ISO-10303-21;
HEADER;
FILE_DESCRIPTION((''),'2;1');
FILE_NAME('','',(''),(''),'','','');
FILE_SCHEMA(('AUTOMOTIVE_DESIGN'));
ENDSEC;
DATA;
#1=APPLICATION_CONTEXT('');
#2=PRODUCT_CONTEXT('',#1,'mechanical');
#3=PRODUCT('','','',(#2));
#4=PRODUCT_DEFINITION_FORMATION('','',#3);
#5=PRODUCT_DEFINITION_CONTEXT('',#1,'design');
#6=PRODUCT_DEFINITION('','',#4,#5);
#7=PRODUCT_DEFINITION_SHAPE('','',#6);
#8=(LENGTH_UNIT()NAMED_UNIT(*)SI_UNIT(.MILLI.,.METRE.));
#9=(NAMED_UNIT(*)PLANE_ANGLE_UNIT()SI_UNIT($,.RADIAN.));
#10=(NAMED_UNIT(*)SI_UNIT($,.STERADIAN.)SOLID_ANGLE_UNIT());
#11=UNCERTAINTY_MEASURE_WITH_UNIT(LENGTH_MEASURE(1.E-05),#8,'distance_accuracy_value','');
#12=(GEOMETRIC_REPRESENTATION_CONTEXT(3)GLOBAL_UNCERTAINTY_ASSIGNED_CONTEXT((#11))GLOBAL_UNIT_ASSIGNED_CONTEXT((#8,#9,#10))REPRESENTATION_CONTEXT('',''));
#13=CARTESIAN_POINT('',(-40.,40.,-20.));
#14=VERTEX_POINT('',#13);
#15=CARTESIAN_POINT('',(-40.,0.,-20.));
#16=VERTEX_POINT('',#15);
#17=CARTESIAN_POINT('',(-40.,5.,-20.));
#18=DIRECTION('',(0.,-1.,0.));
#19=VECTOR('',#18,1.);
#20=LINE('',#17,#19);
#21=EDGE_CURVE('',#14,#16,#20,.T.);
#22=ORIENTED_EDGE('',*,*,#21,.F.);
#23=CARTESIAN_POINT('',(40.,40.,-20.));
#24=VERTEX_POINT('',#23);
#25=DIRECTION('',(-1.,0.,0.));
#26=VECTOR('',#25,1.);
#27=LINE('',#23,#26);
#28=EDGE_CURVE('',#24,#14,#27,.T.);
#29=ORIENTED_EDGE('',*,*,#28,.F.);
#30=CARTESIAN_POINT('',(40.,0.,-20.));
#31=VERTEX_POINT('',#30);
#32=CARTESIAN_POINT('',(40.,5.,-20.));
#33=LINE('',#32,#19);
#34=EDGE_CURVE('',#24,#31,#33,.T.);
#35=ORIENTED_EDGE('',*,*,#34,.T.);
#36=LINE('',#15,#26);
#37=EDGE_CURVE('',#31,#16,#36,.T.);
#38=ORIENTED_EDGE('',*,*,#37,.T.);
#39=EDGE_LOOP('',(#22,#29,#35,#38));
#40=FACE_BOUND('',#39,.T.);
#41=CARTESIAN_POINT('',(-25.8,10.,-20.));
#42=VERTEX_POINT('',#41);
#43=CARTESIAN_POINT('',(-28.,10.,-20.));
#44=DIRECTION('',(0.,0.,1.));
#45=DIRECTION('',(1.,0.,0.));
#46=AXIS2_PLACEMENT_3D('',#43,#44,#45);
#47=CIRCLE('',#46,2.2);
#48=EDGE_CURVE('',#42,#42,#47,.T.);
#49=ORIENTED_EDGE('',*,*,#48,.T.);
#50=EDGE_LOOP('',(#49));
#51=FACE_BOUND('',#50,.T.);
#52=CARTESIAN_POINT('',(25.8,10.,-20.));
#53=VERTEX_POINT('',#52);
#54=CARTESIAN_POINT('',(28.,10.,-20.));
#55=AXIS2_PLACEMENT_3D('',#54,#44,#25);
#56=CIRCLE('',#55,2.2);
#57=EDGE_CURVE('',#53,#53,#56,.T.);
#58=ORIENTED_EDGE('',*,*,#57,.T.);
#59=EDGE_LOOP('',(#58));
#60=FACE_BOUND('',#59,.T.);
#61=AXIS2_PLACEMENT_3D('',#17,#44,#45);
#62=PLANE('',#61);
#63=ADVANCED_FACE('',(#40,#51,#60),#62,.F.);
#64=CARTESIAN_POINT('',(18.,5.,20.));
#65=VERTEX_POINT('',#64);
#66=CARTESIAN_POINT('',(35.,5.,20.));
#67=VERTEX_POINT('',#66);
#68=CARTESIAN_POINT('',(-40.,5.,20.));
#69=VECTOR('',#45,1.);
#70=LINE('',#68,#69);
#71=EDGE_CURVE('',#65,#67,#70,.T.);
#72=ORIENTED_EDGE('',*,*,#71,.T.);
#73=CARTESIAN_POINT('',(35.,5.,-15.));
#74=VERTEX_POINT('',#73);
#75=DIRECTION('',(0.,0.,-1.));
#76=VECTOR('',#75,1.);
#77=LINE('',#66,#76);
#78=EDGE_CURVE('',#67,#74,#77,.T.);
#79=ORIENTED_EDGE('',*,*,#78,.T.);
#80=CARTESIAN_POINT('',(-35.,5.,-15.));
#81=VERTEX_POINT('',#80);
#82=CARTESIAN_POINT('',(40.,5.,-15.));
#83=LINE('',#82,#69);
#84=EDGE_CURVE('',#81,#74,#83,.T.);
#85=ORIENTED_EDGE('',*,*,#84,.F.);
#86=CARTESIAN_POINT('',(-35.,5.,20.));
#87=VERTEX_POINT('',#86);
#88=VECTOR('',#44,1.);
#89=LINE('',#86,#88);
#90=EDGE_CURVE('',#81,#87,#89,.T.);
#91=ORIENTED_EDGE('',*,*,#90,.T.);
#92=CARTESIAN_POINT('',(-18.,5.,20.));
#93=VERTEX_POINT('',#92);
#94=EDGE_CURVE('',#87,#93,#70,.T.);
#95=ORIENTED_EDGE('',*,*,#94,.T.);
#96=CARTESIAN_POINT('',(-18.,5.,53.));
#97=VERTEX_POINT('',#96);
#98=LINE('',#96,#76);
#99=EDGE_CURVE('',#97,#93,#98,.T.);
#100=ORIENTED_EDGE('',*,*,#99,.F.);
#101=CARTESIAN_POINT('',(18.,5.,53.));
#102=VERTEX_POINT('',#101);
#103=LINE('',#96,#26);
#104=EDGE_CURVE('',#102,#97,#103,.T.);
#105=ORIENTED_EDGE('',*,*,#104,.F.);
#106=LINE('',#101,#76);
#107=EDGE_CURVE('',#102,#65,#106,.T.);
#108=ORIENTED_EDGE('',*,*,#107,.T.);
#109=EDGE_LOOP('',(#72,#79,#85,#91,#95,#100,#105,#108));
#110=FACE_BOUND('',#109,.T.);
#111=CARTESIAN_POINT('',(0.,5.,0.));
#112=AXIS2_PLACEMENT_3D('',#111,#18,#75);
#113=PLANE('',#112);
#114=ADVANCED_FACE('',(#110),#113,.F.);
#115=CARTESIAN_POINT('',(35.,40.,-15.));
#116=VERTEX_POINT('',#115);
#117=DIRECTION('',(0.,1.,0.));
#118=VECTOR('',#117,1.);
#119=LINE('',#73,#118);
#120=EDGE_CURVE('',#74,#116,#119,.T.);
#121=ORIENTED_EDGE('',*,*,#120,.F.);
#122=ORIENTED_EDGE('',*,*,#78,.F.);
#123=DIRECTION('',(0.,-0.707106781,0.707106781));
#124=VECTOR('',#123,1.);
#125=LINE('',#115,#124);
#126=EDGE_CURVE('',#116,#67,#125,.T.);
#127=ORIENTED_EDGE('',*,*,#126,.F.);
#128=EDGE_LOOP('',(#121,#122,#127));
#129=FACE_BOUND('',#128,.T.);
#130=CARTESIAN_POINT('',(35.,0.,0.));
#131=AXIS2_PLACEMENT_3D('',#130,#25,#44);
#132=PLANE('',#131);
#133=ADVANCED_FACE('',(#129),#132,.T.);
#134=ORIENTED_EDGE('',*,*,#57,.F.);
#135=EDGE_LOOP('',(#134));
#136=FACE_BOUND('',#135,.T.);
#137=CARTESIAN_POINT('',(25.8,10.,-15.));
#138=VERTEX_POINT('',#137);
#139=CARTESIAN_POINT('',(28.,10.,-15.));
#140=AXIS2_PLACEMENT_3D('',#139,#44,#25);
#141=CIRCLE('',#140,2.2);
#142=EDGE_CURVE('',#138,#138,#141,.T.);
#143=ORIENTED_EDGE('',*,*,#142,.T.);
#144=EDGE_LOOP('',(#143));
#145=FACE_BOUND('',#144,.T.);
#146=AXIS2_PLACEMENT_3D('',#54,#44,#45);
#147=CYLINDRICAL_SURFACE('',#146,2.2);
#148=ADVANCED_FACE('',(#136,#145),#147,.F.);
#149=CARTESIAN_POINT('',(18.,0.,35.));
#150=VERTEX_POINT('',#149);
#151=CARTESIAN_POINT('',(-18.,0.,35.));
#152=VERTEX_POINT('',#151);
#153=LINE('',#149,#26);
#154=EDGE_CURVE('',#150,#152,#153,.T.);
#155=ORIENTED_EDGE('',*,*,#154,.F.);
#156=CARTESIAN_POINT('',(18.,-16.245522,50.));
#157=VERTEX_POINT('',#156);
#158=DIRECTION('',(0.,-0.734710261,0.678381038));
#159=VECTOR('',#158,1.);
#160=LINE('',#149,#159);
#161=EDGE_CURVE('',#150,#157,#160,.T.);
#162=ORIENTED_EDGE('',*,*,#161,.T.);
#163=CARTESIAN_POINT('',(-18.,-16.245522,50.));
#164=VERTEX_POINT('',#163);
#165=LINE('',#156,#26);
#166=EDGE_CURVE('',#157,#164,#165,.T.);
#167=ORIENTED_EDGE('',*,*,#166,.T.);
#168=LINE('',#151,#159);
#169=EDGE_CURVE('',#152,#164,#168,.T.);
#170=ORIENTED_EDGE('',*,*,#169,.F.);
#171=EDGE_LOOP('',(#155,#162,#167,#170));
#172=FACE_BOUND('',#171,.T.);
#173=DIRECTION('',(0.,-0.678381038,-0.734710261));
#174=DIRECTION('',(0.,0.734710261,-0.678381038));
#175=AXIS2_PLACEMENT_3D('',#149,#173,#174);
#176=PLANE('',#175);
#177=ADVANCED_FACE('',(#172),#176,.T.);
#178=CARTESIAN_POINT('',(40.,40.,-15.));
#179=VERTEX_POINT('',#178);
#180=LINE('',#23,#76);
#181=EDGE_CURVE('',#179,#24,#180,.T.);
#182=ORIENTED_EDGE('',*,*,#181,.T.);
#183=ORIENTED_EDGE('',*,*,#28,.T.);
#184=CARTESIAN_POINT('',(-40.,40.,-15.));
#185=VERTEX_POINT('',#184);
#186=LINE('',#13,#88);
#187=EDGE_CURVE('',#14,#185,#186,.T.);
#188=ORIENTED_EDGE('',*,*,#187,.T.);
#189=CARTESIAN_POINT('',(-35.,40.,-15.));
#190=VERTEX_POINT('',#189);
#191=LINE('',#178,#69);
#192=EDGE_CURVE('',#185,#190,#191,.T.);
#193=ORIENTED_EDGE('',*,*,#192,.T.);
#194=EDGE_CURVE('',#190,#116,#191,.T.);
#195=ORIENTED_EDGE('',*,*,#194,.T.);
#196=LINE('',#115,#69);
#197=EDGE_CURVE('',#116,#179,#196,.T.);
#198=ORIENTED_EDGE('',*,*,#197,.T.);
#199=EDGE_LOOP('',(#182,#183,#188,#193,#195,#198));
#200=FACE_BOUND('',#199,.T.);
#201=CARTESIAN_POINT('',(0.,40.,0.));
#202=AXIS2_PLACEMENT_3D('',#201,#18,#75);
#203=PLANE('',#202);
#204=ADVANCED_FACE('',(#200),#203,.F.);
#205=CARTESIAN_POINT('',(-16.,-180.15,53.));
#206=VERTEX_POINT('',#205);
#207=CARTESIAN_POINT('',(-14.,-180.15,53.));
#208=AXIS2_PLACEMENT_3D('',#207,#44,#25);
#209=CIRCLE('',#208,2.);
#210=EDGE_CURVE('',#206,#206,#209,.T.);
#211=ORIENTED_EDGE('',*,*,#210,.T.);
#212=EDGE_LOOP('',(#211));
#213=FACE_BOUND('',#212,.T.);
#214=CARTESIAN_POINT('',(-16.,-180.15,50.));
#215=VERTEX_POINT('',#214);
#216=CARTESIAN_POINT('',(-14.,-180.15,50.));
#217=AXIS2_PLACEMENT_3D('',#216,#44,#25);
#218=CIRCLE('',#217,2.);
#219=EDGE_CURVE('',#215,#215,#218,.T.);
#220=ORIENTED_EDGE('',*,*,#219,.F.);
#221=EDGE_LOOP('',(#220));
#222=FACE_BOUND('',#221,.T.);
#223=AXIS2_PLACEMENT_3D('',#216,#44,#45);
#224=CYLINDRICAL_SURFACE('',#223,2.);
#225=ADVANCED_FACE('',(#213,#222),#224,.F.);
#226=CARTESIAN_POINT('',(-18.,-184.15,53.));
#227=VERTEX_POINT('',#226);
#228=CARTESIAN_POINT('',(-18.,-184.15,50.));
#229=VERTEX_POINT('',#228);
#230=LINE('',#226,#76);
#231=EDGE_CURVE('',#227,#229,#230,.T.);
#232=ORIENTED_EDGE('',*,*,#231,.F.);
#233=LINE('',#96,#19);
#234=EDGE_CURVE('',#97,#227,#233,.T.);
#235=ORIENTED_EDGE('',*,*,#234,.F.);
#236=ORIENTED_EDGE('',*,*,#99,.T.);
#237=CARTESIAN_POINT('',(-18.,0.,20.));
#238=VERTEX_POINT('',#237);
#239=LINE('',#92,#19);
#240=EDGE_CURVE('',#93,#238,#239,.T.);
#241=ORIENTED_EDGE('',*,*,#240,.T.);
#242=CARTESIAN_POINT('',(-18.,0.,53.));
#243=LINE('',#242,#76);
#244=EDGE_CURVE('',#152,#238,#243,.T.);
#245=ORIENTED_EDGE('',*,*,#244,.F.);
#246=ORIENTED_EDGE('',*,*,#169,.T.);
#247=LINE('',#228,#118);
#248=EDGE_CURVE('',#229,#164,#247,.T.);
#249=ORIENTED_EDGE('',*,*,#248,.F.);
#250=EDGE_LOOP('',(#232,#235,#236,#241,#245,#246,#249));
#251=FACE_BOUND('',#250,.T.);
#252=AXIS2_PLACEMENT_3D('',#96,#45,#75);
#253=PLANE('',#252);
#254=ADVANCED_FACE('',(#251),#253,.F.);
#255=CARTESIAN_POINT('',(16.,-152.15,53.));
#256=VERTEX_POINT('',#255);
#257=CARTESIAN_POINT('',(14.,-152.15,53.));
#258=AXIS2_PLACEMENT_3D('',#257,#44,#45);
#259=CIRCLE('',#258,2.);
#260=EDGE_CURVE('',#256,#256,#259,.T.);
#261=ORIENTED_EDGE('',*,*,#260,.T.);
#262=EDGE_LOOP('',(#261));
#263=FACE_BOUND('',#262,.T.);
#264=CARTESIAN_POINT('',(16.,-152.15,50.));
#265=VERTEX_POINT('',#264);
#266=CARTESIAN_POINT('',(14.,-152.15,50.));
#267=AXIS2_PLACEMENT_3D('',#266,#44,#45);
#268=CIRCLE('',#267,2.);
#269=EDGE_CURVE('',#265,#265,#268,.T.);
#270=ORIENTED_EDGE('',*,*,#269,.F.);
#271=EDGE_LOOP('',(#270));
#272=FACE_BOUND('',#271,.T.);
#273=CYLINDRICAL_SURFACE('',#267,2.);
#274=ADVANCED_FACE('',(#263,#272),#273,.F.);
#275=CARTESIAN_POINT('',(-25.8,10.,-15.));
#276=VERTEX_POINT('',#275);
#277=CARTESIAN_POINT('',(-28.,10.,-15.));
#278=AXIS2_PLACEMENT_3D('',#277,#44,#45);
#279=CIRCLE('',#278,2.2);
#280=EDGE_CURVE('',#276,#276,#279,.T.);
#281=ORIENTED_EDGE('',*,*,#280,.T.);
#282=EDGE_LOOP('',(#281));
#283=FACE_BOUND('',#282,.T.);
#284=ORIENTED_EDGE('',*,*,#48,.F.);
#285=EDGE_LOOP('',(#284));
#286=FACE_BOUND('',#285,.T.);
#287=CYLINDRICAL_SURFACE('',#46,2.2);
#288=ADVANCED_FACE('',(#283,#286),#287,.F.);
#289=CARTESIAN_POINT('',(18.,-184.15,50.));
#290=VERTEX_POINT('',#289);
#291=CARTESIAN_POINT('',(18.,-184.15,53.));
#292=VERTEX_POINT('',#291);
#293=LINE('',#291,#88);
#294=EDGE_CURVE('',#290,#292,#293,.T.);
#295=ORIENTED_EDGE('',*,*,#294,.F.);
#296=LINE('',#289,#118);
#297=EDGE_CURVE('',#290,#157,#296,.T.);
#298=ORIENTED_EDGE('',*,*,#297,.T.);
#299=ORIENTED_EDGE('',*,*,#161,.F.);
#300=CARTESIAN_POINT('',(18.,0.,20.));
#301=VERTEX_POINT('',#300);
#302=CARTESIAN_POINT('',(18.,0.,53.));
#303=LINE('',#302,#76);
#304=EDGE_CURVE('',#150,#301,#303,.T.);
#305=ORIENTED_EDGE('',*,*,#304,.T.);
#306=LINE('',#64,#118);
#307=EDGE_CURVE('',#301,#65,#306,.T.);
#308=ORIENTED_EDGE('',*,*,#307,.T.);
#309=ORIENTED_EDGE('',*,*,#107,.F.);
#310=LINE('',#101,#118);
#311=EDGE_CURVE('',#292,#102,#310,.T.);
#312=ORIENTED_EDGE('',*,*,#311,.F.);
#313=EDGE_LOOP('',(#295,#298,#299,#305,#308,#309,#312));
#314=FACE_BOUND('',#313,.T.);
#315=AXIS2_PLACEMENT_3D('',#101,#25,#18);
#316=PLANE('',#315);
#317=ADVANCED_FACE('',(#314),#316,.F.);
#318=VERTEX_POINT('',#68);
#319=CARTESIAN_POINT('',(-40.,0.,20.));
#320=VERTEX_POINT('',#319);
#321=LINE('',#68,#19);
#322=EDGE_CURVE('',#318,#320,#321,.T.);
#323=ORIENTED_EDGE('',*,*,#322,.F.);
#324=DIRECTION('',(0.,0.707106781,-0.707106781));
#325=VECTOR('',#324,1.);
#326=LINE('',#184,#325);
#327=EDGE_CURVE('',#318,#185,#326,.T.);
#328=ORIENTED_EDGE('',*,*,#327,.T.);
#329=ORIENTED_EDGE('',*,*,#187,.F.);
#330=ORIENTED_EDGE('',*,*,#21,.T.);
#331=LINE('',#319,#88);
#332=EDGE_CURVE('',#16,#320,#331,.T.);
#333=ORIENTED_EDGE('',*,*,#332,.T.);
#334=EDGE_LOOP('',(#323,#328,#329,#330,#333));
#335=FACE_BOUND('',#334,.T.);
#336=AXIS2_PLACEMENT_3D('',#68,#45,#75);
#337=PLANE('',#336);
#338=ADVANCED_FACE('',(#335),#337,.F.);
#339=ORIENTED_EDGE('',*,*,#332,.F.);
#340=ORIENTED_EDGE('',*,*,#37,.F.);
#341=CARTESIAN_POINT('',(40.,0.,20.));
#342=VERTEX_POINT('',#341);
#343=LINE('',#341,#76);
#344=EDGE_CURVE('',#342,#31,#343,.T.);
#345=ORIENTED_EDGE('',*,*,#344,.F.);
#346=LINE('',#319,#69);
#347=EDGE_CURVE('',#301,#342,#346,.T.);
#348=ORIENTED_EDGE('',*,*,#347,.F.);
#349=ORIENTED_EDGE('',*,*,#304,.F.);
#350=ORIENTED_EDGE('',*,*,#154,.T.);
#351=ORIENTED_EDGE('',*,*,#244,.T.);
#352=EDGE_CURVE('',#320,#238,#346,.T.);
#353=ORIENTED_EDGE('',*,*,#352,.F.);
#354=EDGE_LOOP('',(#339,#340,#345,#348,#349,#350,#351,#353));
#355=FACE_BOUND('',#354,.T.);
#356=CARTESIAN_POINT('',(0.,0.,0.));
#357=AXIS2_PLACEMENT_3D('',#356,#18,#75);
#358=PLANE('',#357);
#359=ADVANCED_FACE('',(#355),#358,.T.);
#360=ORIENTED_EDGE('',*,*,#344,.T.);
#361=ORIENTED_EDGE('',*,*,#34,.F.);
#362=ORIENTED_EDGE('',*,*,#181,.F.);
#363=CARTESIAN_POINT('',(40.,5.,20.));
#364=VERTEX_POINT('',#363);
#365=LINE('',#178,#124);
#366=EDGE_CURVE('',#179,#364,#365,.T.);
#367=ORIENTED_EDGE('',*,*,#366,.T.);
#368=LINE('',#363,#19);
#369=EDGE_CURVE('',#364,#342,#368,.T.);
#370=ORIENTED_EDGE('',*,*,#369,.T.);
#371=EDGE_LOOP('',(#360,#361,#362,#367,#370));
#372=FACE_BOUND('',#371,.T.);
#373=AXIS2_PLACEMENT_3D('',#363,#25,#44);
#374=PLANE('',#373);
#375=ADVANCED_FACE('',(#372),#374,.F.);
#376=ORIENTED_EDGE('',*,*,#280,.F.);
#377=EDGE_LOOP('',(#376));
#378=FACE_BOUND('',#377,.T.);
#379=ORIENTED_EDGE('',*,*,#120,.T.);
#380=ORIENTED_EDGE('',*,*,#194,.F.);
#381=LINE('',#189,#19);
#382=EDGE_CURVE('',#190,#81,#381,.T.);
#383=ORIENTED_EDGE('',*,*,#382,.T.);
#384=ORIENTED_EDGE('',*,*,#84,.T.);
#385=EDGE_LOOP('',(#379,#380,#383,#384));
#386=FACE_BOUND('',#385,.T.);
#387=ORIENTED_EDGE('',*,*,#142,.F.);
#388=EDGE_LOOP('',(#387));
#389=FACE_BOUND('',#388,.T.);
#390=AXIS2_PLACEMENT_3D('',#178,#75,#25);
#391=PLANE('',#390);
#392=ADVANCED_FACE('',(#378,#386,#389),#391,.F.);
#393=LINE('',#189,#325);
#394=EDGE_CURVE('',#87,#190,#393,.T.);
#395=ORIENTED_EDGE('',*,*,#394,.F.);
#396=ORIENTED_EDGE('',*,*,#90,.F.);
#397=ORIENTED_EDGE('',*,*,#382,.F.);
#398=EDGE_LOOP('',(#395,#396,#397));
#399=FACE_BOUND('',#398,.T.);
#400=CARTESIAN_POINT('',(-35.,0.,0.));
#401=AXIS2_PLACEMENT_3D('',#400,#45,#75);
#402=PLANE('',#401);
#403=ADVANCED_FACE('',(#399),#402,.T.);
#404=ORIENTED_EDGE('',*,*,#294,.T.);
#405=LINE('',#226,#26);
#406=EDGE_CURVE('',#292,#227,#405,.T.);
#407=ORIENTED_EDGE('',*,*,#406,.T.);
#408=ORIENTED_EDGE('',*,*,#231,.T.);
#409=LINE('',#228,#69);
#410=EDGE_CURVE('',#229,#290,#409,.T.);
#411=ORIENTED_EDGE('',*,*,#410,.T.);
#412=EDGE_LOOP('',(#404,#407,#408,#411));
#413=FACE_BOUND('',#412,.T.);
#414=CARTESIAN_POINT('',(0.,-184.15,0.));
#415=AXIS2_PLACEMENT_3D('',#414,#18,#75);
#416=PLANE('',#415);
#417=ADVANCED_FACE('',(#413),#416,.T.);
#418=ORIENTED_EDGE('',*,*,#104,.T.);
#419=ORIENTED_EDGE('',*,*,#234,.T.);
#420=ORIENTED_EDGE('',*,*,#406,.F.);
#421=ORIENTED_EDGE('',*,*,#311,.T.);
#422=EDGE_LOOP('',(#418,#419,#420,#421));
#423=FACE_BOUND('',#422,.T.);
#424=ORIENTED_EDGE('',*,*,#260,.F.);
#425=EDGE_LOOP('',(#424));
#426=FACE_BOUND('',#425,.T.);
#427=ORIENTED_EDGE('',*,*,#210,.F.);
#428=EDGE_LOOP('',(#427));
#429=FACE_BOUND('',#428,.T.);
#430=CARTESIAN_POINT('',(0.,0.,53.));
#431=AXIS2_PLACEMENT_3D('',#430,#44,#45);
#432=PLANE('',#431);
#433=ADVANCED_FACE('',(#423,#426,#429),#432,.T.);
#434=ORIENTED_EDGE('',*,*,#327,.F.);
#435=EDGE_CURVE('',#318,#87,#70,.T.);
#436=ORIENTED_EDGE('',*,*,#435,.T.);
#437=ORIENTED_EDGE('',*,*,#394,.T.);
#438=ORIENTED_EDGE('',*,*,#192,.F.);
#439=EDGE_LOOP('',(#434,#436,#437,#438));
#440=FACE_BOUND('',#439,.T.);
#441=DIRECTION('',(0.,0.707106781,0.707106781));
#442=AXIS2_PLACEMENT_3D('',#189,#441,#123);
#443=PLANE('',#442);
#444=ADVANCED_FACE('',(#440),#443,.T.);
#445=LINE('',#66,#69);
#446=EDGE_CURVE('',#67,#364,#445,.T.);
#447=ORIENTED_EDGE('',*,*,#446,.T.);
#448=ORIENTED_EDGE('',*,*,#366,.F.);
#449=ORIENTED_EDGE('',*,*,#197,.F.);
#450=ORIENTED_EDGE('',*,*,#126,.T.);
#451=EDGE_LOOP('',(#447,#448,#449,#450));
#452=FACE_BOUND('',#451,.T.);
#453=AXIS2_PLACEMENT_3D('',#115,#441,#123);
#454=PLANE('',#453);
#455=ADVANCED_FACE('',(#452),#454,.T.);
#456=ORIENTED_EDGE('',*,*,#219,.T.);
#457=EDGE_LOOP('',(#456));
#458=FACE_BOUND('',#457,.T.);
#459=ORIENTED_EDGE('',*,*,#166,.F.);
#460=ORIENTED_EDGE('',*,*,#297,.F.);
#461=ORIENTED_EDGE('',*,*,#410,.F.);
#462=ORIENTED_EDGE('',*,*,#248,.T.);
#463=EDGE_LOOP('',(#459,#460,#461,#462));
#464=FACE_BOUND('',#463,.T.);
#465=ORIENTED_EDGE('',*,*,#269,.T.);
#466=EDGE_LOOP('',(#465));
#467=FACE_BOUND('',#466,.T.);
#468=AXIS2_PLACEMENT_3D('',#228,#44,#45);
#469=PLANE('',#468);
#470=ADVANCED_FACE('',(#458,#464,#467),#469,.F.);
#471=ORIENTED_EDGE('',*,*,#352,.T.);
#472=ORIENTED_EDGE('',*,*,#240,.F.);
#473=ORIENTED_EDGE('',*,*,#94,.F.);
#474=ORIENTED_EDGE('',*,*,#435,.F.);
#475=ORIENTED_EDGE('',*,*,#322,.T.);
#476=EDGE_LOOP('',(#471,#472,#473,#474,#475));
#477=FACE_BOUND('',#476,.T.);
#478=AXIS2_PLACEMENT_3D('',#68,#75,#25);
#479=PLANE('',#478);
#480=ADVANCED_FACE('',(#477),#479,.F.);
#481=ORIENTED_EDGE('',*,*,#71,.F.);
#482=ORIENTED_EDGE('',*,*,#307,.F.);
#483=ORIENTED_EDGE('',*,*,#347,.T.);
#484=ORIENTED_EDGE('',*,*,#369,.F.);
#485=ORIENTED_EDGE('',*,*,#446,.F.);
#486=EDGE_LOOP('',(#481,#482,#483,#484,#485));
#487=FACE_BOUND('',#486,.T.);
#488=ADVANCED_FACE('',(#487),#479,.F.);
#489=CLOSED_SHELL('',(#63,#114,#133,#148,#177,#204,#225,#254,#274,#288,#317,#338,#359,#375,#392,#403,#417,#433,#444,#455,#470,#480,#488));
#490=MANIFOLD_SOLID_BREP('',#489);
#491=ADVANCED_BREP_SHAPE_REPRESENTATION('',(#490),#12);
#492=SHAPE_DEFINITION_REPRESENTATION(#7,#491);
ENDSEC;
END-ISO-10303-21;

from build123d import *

# Parameters (mm, degrees)
SKETCH1_W           = 80
SKETCH1_H           = 40
BOSS_EXTRUDE1_DEPTH = 5
SKETCH2_W           = 80
SKETCH2_H           = 5
BOSS_EXTRUDE2_DEPTH = 35
BOSS_EXTRUDE3_DEPTH = 5
BOSS_EXTRUDE4_DEPTH = 5
SKETCH6_R           = 2.2
CUT_EXTRUDE2_DEPTH  = 6
SKETCH7_W           = 36
SKETCH7_H           = 5
BOSS_EXTRUDE5_DEPTH = 33
SKETCH8_W           = 36
SKETCH8_H           = 3
BOSS_EXTRUDE6_DEPTH = 184.15
BOSS_EXTRUDE7_DEPTH = 36
SKETCH10_R          = 2
CUT_EXTRUDE3_DEPTH  = 3


with BuildPart() as part:
    # Sketch1 → Boss-Extrude1 (new body)
    with BuildSketch(Plane(origin=(0, 0, 0), x_dir=(1, 0, 0), z_dir=(0, 1, 0))):
        Rectangle(SKETCH1_W, SKETCH1_H)
    extrude(amount=BOSS_EXTRUDE1_DEPTH)

    # Sketch2 → Boss-Extrude2 (add)
    with BuildSketch(Plane(origin=(0, 5, 0), x_dir=(1, 0, 0), z_dir=(0, 1, 0))):
        with Locations((0, 17.5)):
            Rectangle(SKETCH2_W, SKETCH2_H)
    extrude(amount=BOSS_EXTRUDE2_DEPTH)

    # Sketch3 → Boss-Extrude3 (add)
    with BuildSketch(Plane.ZY.offset(40)):
        Polygon((-15, 40), (20, 5), (-15, 5), align=None)
    extrude(amount=-BOSS_EXTRUDE3_DEPTH)

    # Sketch4 → Boss-Extrude4 (add)
    with BuildSketch(Plane(origin=(40, 0, 0), x_dir=(0, 0, -1), z_dir=(1, 0, 0))):
        Polygon((15, 40), (-20, 5), (15, 5), align=None)
    extrude(amount=-BOSS_EXTRUDE4_DEPTH)

    # Sketch6 → Cut-Extrude2 (cut, through all)
    with BuildSketch(Plane.XY.offset(-15)):
        with Locations((-28, 10)):
            Circle(SKETCH6_R)
        with Locations((28, 10)):
            Circle(SKETCH6_R)
    extrude(amount=-CUT_EXTRUDE2_DEPTH, mode=Mode.SUBTRACT)

    # Sketch7 → Boss-Extrude5 (add)
    with BuildSketch(Plane.XY.offset(20)):
        with Locations((0, 2.5)):
            Rectangle(SKETCH7_W, SKETCH7_H)
    extrude(amount=BOSS_EXTRUDE5_DEPTH)

    # Sketch8 → Boss-Extrude6 (add)
    with BuildSketch(Plane.XZ):
        with Locations((0, 51.5)):
            Rectangle(SKETCH8_W, SKETCH8_H)
    extrude(amount=BOSS_EXTRUDE6_DEPTH)

    # Sketch9 → Boss-Extrude7 (add)
    with BuildSketch(Plane.ZY.offset(18)):
        Polygon((35, 0), (50, -16.245521775), (50, 0), align=None)
    extrude(amount=-BOSS_EXTRUDE7_DEPTH)

    # Sketch10 → Cut-Extrude3 (cut)
    with BuildSketch(Plane.XY.offset(53)):
        with Locations((14, -152.15)):
            Circle(SKETCH10_R)
        with Locations((-14, -180.15)):
            Circle(SKETCH10_R)
    extrude(amount=-CUT_EXTRUDE3_DEPTH, mode=Mode.SUBTRACT)


solid = part.part
